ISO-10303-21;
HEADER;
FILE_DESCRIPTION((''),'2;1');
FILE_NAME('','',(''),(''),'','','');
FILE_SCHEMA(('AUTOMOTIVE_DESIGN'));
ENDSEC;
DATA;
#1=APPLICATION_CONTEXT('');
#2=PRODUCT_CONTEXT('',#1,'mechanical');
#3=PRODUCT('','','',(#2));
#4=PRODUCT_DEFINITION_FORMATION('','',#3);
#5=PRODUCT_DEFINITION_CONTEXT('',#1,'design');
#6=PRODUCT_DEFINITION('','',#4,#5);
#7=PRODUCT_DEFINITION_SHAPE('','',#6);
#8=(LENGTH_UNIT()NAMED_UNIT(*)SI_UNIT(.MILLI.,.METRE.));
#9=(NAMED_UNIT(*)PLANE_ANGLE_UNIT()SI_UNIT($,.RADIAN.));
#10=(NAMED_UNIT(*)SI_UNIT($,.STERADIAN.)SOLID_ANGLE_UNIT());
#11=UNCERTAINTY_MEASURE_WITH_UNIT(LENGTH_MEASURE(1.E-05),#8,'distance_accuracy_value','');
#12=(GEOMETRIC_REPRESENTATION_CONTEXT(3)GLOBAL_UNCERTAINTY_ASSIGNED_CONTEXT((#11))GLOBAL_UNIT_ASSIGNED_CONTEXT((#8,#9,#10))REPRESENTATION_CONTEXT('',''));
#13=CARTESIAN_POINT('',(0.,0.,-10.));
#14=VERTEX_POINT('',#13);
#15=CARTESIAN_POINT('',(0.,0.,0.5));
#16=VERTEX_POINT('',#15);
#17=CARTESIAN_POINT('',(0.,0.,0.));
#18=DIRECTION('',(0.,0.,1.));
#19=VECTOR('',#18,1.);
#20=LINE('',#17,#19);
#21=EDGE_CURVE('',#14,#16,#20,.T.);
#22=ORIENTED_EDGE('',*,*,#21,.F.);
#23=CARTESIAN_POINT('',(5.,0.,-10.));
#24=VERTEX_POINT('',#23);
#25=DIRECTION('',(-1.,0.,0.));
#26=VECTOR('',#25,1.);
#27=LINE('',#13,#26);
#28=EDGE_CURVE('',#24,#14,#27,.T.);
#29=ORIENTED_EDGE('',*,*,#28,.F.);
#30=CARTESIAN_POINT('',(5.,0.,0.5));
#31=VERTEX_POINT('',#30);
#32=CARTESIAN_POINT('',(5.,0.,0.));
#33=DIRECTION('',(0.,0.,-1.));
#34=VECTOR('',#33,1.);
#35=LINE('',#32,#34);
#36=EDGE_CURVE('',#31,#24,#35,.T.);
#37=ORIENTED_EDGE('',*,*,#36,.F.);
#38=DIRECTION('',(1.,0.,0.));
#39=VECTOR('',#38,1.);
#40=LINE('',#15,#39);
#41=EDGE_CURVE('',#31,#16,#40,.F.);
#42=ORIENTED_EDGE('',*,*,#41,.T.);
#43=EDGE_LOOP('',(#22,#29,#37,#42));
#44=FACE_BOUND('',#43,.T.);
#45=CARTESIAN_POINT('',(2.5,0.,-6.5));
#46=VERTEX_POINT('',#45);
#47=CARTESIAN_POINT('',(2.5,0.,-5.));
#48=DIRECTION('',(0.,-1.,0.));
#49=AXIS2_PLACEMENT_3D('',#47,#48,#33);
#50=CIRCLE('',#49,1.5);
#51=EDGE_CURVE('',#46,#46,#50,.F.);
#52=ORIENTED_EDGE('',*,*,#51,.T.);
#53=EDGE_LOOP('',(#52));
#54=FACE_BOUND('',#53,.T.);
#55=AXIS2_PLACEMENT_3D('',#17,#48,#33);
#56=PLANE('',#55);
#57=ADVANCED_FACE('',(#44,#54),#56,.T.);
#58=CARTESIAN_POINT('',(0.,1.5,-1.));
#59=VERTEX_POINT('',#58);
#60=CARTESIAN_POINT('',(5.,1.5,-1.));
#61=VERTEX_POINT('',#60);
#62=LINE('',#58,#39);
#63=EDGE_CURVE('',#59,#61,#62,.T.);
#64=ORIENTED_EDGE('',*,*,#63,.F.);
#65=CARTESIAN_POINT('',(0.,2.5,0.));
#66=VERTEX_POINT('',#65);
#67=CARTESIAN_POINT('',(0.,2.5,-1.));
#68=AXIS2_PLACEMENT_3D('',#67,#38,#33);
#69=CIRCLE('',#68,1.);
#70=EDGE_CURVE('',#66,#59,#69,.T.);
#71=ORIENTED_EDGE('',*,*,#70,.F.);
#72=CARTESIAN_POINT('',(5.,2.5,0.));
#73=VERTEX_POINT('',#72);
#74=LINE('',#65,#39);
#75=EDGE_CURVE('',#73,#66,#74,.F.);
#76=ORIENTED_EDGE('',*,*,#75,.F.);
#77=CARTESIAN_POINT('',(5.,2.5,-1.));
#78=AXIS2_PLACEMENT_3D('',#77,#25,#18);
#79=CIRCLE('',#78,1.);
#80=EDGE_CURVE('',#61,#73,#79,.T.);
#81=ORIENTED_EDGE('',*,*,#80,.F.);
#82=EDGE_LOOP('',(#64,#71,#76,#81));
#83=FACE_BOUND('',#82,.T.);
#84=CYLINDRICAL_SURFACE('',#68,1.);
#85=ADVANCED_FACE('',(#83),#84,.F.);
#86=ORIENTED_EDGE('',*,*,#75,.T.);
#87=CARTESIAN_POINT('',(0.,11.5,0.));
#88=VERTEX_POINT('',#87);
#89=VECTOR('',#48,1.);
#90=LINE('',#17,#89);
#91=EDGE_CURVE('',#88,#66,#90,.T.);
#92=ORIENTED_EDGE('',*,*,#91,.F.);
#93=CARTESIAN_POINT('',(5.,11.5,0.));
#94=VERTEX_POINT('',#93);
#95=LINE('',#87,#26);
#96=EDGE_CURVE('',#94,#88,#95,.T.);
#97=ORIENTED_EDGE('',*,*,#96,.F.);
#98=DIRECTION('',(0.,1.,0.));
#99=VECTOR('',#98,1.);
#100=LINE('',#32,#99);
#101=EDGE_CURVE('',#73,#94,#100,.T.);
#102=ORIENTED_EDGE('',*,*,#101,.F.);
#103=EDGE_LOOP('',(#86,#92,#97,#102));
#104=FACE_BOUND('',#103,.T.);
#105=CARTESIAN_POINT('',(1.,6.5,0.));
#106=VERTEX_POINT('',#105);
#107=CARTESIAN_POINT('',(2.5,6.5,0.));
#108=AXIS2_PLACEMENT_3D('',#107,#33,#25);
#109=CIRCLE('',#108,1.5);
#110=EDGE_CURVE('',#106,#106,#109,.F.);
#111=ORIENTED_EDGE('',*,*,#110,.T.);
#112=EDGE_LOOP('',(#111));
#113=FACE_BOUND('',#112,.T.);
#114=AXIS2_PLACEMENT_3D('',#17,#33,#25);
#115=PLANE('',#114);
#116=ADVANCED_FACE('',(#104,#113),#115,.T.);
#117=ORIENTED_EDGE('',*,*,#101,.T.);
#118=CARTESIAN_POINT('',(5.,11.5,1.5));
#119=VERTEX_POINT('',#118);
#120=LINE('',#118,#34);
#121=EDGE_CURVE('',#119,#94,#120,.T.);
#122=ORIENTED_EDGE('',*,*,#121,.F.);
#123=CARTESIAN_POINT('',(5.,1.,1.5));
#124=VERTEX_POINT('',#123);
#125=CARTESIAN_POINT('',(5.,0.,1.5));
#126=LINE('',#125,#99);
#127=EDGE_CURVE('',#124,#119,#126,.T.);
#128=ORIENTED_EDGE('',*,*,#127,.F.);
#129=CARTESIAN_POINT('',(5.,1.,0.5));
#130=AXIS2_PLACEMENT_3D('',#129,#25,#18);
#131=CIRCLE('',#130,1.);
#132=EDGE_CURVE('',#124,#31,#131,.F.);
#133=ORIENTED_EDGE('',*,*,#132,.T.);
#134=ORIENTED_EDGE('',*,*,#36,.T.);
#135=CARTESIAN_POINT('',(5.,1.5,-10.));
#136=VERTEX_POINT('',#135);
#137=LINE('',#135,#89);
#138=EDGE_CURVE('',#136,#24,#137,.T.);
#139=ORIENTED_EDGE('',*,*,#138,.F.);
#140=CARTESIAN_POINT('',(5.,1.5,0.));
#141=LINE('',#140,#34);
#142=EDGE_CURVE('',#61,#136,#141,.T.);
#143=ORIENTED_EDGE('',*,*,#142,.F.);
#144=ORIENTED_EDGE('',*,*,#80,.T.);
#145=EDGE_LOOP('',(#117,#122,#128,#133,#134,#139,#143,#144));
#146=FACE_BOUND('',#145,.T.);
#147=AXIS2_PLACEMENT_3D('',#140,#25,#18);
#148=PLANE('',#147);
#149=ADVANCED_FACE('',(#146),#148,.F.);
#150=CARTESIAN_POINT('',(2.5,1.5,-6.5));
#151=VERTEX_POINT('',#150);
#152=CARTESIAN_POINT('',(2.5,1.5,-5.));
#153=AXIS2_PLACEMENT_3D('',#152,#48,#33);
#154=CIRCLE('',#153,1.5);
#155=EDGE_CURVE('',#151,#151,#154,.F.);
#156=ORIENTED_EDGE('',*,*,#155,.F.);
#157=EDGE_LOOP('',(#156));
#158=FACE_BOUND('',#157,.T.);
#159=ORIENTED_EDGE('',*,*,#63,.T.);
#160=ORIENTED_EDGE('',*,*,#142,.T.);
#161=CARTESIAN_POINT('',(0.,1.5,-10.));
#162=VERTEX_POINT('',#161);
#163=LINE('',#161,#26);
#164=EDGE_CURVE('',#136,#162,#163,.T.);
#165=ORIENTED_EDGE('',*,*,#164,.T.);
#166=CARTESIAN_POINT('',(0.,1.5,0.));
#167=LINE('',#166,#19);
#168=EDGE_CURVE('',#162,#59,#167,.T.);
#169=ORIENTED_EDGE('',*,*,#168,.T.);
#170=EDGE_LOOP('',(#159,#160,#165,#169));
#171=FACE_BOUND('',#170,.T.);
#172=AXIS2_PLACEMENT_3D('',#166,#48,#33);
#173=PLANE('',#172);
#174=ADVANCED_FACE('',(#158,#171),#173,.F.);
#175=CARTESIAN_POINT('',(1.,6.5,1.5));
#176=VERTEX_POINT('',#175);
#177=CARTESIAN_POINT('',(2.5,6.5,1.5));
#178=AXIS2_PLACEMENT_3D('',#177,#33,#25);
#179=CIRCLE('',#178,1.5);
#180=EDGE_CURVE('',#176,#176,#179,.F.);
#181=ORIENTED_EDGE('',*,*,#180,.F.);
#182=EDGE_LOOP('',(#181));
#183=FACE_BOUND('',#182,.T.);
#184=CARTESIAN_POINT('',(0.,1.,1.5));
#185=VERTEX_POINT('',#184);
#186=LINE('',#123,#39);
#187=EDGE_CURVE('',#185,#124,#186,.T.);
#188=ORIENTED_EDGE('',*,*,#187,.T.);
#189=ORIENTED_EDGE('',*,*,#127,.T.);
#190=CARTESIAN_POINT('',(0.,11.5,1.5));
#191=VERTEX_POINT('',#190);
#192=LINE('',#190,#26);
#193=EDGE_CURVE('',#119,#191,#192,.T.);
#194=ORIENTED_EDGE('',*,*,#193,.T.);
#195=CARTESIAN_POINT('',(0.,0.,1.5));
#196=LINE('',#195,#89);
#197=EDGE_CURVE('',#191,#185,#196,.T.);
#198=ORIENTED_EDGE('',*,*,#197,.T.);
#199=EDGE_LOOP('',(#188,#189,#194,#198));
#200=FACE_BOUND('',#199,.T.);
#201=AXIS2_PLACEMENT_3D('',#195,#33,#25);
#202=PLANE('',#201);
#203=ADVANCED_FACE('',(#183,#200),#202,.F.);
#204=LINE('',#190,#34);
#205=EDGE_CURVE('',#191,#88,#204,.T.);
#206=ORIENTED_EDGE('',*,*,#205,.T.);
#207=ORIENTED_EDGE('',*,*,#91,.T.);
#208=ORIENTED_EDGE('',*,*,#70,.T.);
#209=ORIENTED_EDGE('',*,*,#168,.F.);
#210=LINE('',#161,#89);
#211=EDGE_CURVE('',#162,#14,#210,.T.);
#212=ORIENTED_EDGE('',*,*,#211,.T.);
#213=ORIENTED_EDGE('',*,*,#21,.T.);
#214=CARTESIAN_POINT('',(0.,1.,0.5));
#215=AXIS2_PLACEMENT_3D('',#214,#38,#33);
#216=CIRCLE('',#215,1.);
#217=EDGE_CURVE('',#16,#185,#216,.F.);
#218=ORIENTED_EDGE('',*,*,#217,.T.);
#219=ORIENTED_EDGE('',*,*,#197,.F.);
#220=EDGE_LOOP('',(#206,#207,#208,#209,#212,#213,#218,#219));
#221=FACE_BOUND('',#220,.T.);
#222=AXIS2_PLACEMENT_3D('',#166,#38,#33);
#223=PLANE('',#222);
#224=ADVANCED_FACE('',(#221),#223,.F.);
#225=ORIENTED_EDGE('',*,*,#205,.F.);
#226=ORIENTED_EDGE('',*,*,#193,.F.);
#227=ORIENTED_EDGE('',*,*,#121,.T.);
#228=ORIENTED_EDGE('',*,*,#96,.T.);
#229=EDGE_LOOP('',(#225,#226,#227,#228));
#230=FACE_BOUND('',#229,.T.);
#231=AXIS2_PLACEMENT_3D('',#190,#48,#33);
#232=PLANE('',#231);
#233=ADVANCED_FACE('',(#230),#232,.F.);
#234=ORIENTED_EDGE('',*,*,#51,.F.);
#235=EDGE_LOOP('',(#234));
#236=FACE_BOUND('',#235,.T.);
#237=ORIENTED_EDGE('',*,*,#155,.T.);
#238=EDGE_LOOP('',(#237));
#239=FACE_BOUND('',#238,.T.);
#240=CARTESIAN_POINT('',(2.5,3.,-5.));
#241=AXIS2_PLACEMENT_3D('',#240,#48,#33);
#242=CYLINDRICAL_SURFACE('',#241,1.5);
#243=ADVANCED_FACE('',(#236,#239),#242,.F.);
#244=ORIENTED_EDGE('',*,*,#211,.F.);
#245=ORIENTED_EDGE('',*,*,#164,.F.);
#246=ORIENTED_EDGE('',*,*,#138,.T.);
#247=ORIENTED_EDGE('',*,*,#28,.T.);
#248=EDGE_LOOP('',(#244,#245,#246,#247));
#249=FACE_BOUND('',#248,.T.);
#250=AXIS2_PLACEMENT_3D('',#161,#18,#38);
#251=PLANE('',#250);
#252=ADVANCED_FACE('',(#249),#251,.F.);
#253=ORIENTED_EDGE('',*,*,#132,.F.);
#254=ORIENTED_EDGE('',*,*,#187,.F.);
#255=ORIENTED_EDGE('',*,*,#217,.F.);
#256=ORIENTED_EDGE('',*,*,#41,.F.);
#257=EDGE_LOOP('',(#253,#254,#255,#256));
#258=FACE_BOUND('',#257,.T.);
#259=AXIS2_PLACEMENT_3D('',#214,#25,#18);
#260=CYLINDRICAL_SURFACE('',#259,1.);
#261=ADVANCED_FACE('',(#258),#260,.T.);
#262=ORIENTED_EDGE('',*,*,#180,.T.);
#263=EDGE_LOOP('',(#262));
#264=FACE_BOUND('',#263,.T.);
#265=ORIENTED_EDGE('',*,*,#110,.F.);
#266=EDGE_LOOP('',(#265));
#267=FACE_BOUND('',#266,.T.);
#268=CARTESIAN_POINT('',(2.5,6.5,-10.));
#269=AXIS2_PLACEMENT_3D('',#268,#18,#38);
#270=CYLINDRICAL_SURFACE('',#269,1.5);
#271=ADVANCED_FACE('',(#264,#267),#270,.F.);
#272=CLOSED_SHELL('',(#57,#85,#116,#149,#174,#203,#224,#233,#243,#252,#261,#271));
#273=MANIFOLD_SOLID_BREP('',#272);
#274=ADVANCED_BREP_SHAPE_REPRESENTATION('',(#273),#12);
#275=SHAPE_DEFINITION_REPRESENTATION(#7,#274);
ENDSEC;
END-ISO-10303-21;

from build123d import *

# Parameters (mm, degrees)
SKETCH1_W               = 5
SKETCH1_H               = 10
BOSS_EXTRUDE1_DEPTH     = 1.5
SKETCH2_W               = 5
SKETCH2_H               = 11.5
BOSS_EXTRUDE2_DEPTH     = 1.5
CUT_EXTRUDE1_DEPTH      = 1.5
CUT_EXTRUDE1_DEPTH_BACK = 10
SKETCH3_R               = 1.5
CUT_EXTRUDE2_DEPTH      = 10
CUT_EXTRUDE2_DEPTH_BACK = 10
SKETCH4_R               = 1.5
FILLET1_R               = 1
FILLET2_R               = 1


with BuildPart() as part:
    # Sketch1 → Boss-Extrude1 (new body)
    with BuildSketch(Plane(origin=(0, 0, 0), x_dir=(1, 0, 0), z_dir=(0, 1, 0))):
        with Locations((2.5, 5)):
            Rectangle(SKETCH1_W, SKETCH1_H)
    extrude(amount=BOSS_EXTRUDE1_DEPTH)

    # Sketch2 → Boss-Extrude2 (add)
    with BuildSketch(Plane.XY):
        with Locations((2.5, 5.75)):
            Rectangle(SKETCH2_W, SKETCH2_H)
    extrude(amount=BOSS_EXTRUDE2_DEPTH)

    # Sketch3 → Cut-Extrude1 (cut, two sides: drawn at the far end of the back side and taken through both)
    with BuildSketch(Plane(origin=(0, 1.5, 0), x_dir=(1, 0, 0), z_dir=(0, 1, 0)).offset(-CUT_EXTRUDE1_DEPTH_BACK)):
        with Locations((2.5, 5)):
            Circle(SKETCH3_R)
    extrude(amount=CUT_EXTRUDE1_DEPTH + CUT_EXTRUDE1_DEPTH_BACK, mode=Mode.SUBTRACT)

    # Sketch4 → Cut-Extrude2 (cut, two sides: drawn at the far end of the back side and taken through both)
    with BuildSketch(Plane(origin=(0, 0, 0), x_dir=(-1, 0, 0), z_dir=(0, 0, -1)).offset(-CUT_EXTRUDE2_DEPTH_BACK)):
        with Locations((-2.5, 6.5)):
            Circle(SKETCH4_R)
    extrude(amount=CUT_EXTRUDE2_DEPTH + CUT_EXTRUDE2_DEPTH_BACK, mode=Mode.SUBTRACT)

    # Fillet1
    fillet1_edges = [part.edges().sort_by_distance(p)[0] for p in [
        (2.5, 1.5, 0),
    ]]
    fillet(fillet1_edges, radius=FILLET1_R)

    # Fillet2
    fillet2_edges = [part.edges().sort_by_distance(p)[0] for p in [
        (2.5, 0, 1.5),
    ]]
    fillet(fillet2_edges, radius=FILLET2_R)


solid = part.part
